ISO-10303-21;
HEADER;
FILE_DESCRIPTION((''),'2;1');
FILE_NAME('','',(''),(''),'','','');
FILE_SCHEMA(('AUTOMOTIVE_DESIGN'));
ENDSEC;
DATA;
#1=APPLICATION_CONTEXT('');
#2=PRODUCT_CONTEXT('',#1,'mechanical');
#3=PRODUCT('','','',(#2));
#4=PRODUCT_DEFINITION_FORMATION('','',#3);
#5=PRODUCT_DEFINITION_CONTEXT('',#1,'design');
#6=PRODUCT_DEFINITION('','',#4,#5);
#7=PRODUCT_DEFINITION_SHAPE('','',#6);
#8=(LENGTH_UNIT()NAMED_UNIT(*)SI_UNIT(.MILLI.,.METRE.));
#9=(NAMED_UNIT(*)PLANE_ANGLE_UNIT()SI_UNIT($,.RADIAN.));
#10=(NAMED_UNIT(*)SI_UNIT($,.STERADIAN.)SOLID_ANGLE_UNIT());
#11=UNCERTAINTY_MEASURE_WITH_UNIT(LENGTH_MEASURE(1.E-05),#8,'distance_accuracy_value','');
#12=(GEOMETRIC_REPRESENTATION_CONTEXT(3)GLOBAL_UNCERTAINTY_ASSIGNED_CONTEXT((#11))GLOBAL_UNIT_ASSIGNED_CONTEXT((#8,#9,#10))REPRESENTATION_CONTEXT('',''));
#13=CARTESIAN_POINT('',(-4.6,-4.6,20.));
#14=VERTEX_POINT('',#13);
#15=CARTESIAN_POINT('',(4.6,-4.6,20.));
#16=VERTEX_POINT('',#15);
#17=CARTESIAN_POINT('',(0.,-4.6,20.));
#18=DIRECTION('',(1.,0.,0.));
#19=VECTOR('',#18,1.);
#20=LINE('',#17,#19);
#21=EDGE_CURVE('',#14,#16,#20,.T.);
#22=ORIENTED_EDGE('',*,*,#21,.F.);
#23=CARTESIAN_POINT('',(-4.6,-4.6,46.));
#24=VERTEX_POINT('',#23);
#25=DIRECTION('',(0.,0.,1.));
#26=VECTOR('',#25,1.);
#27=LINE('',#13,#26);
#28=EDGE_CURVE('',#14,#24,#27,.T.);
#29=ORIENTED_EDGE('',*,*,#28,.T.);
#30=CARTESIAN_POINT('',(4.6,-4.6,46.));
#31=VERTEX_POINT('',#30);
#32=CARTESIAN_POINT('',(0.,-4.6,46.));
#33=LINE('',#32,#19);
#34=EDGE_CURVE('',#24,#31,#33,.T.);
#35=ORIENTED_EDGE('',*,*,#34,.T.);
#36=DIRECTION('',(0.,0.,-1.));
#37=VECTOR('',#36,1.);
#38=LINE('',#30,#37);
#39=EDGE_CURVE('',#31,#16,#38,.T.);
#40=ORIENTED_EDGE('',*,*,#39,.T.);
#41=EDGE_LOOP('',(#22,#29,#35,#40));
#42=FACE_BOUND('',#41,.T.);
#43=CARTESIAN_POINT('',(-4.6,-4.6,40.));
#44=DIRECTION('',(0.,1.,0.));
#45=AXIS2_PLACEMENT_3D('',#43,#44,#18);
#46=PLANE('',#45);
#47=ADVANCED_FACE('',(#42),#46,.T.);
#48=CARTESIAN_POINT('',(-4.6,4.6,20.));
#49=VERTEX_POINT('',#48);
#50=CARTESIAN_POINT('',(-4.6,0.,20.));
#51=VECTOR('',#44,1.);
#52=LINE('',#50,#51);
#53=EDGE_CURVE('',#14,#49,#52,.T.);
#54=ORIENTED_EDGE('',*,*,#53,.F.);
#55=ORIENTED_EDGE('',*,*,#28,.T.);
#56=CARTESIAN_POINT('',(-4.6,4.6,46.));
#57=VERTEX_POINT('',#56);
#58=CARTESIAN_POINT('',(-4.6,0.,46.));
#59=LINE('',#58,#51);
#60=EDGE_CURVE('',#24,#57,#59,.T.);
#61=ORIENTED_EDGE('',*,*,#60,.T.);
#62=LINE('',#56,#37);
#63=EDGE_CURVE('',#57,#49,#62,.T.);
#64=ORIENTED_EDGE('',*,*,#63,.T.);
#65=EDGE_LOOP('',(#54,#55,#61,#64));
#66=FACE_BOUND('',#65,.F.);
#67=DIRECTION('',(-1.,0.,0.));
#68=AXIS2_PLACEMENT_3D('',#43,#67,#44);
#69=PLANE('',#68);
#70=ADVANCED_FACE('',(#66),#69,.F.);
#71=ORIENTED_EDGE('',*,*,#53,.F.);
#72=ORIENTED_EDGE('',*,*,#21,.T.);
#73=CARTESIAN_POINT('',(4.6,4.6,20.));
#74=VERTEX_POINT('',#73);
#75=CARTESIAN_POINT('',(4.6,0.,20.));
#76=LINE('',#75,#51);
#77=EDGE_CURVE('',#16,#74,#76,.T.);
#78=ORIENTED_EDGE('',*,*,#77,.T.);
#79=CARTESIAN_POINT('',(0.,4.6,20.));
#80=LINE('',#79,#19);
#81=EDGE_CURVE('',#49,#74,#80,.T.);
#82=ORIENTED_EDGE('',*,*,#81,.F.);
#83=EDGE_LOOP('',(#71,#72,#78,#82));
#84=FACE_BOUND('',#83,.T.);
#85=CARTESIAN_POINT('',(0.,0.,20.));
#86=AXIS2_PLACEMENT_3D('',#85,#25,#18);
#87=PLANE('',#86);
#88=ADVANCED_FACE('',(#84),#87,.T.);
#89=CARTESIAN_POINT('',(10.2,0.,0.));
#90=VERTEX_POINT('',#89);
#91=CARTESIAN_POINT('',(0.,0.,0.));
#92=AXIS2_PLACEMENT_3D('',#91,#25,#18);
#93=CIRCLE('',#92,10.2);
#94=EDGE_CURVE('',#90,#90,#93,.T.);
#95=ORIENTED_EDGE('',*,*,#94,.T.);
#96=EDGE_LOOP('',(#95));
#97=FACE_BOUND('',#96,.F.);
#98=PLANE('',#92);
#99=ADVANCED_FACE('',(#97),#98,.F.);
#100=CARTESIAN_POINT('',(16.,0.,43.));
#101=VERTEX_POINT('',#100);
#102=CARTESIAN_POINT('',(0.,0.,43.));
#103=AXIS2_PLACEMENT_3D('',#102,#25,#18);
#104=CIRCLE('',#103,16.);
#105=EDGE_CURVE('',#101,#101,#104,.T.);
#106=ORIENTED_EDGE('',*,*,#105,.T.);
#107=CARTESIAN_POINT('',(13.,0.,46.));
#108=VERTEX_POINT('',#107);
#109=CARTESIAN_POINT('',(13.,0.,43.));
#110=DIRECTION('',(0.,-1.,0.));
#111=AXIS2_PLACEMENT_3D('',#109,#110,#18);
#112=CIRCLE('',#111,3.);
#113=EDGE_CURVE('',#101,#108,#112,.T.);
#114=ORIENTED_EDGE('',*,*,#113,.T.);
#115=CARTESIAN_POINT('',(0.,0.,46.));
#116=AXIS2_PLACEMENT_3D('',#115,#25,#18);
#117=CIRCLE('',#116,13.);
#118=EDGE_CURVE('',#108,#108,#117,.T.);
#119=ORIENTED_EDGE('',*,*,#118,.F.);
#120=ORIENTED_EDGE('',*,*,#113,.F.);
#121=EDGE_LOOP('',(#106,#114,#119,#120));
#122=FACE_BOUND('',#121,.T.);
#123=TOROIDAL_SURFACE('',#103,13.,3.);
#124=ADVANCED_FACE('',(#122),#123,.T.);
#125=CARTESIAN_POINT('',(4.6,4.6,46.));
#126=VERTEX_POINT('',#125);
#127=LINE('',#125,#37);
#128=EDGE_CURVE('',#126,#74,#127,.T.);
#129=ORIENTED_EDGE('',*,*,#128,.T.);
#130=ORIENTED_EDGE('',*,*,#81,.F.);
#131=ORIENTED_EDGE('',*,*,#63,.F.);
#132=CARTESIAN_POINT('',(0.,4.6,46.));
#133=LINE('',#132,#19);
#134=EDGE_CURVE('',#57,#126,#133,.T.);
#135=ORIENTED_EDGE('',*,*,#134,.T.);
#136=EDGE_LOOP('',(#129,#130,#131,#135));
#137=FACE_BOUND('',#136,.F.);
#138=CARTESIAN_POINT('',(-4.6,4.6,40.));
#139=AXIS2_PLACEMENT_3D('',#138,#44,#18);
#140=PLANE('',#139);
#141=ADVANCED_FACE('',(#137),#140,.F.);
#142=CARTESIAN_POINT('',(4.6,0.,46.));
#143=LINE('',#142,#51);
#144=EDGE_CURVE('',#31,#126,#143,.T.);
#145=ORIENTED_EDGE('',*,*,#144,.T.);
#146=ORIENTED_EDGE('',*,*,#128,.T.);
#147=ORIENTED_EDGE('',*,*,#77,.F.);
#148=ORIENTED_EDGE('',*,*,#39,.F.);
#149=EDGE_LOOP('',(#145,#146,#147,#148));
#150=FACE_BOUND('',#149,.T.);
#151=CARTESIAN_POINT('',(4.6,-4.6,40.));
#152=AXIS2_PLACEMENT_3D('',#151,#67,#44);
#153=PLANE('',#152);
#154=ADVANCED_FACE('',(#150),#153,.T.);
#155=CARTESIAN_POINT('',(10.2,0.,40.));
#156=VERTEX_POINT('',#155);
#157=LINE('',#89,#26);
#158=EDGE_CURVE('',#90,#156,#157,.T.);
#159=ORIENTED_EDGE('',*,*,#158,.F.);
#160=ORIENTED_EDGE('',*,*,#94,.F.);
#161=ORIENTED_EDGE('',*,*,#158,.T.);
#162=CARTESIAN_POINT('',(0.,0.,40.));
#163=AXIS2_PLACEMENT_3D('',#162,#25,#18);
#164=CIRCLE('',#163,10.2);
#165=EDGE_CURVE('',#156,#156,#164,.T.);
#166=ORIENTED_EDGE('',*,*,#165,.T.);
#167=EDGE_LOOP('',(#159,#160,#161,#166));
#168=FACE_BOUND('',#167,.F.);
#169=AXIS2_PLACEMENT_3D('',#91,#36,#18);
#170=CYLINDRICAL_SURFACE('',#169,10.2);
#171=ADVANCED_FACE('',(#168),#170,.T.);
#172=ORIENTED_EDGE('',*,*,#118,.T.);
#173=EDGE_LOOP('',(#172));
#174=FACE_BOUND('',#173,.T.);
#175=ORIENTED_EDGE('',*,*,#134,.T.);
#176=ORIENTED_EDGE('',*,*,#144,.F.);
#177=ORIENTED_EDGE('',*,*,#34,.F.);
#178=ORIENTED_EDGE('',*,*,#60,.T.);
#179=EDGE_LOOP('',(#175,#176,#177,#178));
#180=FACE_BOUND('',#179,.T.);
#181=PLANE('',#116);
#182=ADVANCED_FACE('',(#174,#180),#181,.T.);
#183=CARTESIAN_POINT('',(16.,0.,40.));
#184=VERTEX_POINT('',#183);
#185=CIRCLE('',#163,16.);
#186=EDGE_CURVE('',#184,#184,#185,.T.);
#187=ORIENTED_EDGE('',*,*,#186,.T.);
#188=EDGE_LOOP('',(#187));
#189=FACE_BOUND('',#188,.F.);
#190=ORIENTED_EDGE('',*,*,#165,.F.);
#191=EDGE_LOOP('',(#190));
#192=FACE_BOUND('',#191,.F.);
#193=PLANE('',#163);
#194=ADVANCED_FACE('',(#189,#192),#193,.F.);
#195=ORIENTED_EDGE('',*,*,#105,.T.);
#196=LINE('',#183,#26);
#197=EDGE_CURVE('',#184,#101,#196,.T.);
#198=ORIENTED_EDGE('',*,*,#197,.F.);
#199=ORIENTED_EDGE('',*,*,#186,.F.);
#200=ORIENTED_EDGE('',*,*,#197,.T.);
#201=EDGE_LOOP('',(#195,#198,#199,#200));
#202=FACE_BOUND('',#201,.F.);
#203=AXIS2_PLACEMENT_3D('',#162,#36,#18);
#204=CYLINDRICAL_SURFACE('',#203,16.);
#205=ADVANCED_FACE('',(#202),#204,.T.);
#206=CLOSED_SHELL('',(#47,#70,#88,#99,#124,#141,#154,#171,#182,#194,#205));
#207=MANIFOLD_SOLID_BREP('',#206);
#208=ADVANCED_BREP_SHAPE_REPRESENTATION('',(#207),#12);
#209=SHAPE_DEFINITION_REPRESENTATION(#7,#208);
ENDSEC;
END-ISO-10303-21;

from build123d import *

# Parameters (mm, degrees)
F0_R     = 10.2
F1_DEPTH = 40
F2_W     = 9.2
F2_H     = 9.2
F3_DEPTH = 20
F4_R     = 16
F4_R_2   = 10.2
F4_W     = 9.2
F4_H     = 9.2
F5_DEPTH = 6
F6_R     = 3


with BuildPart() as f1:
    # F0 (on Top) → F1 (new body)
    with BuildSketch(Plane.XY):
        Circle(F0_R)
    extrude(amount=F1_DEPTH)

    # F2 (on face) → F3 (cut)
    with BuildSketch(Plane.XY.offset(40)):
        Rectangle(F2_W, F2_H)
    extrude(amount=-F3_DEPTH, mode=Mode.SUBTRACT)

    # F4 (on face) → F5 (join)
    with BuildSketch(Plane.XY.offset(40)):
        Circle(F4_R)
        Circle(F4_R_2, mode=Mode.SUBTRACT)
        Circle(F4_R_2)
        Rectangle(F4_W, F4_H, mode=Mode.SUBTRACT)
    extrude(amount=F5_DEPTH)

    # F6
    f6_edges = [f1.edges().sort_by_distance(p)[0] for p in [
        (-16, 0, 46),
    ]]
    fillet(f6_edges, radius=F6_R)


solid = f1.part
